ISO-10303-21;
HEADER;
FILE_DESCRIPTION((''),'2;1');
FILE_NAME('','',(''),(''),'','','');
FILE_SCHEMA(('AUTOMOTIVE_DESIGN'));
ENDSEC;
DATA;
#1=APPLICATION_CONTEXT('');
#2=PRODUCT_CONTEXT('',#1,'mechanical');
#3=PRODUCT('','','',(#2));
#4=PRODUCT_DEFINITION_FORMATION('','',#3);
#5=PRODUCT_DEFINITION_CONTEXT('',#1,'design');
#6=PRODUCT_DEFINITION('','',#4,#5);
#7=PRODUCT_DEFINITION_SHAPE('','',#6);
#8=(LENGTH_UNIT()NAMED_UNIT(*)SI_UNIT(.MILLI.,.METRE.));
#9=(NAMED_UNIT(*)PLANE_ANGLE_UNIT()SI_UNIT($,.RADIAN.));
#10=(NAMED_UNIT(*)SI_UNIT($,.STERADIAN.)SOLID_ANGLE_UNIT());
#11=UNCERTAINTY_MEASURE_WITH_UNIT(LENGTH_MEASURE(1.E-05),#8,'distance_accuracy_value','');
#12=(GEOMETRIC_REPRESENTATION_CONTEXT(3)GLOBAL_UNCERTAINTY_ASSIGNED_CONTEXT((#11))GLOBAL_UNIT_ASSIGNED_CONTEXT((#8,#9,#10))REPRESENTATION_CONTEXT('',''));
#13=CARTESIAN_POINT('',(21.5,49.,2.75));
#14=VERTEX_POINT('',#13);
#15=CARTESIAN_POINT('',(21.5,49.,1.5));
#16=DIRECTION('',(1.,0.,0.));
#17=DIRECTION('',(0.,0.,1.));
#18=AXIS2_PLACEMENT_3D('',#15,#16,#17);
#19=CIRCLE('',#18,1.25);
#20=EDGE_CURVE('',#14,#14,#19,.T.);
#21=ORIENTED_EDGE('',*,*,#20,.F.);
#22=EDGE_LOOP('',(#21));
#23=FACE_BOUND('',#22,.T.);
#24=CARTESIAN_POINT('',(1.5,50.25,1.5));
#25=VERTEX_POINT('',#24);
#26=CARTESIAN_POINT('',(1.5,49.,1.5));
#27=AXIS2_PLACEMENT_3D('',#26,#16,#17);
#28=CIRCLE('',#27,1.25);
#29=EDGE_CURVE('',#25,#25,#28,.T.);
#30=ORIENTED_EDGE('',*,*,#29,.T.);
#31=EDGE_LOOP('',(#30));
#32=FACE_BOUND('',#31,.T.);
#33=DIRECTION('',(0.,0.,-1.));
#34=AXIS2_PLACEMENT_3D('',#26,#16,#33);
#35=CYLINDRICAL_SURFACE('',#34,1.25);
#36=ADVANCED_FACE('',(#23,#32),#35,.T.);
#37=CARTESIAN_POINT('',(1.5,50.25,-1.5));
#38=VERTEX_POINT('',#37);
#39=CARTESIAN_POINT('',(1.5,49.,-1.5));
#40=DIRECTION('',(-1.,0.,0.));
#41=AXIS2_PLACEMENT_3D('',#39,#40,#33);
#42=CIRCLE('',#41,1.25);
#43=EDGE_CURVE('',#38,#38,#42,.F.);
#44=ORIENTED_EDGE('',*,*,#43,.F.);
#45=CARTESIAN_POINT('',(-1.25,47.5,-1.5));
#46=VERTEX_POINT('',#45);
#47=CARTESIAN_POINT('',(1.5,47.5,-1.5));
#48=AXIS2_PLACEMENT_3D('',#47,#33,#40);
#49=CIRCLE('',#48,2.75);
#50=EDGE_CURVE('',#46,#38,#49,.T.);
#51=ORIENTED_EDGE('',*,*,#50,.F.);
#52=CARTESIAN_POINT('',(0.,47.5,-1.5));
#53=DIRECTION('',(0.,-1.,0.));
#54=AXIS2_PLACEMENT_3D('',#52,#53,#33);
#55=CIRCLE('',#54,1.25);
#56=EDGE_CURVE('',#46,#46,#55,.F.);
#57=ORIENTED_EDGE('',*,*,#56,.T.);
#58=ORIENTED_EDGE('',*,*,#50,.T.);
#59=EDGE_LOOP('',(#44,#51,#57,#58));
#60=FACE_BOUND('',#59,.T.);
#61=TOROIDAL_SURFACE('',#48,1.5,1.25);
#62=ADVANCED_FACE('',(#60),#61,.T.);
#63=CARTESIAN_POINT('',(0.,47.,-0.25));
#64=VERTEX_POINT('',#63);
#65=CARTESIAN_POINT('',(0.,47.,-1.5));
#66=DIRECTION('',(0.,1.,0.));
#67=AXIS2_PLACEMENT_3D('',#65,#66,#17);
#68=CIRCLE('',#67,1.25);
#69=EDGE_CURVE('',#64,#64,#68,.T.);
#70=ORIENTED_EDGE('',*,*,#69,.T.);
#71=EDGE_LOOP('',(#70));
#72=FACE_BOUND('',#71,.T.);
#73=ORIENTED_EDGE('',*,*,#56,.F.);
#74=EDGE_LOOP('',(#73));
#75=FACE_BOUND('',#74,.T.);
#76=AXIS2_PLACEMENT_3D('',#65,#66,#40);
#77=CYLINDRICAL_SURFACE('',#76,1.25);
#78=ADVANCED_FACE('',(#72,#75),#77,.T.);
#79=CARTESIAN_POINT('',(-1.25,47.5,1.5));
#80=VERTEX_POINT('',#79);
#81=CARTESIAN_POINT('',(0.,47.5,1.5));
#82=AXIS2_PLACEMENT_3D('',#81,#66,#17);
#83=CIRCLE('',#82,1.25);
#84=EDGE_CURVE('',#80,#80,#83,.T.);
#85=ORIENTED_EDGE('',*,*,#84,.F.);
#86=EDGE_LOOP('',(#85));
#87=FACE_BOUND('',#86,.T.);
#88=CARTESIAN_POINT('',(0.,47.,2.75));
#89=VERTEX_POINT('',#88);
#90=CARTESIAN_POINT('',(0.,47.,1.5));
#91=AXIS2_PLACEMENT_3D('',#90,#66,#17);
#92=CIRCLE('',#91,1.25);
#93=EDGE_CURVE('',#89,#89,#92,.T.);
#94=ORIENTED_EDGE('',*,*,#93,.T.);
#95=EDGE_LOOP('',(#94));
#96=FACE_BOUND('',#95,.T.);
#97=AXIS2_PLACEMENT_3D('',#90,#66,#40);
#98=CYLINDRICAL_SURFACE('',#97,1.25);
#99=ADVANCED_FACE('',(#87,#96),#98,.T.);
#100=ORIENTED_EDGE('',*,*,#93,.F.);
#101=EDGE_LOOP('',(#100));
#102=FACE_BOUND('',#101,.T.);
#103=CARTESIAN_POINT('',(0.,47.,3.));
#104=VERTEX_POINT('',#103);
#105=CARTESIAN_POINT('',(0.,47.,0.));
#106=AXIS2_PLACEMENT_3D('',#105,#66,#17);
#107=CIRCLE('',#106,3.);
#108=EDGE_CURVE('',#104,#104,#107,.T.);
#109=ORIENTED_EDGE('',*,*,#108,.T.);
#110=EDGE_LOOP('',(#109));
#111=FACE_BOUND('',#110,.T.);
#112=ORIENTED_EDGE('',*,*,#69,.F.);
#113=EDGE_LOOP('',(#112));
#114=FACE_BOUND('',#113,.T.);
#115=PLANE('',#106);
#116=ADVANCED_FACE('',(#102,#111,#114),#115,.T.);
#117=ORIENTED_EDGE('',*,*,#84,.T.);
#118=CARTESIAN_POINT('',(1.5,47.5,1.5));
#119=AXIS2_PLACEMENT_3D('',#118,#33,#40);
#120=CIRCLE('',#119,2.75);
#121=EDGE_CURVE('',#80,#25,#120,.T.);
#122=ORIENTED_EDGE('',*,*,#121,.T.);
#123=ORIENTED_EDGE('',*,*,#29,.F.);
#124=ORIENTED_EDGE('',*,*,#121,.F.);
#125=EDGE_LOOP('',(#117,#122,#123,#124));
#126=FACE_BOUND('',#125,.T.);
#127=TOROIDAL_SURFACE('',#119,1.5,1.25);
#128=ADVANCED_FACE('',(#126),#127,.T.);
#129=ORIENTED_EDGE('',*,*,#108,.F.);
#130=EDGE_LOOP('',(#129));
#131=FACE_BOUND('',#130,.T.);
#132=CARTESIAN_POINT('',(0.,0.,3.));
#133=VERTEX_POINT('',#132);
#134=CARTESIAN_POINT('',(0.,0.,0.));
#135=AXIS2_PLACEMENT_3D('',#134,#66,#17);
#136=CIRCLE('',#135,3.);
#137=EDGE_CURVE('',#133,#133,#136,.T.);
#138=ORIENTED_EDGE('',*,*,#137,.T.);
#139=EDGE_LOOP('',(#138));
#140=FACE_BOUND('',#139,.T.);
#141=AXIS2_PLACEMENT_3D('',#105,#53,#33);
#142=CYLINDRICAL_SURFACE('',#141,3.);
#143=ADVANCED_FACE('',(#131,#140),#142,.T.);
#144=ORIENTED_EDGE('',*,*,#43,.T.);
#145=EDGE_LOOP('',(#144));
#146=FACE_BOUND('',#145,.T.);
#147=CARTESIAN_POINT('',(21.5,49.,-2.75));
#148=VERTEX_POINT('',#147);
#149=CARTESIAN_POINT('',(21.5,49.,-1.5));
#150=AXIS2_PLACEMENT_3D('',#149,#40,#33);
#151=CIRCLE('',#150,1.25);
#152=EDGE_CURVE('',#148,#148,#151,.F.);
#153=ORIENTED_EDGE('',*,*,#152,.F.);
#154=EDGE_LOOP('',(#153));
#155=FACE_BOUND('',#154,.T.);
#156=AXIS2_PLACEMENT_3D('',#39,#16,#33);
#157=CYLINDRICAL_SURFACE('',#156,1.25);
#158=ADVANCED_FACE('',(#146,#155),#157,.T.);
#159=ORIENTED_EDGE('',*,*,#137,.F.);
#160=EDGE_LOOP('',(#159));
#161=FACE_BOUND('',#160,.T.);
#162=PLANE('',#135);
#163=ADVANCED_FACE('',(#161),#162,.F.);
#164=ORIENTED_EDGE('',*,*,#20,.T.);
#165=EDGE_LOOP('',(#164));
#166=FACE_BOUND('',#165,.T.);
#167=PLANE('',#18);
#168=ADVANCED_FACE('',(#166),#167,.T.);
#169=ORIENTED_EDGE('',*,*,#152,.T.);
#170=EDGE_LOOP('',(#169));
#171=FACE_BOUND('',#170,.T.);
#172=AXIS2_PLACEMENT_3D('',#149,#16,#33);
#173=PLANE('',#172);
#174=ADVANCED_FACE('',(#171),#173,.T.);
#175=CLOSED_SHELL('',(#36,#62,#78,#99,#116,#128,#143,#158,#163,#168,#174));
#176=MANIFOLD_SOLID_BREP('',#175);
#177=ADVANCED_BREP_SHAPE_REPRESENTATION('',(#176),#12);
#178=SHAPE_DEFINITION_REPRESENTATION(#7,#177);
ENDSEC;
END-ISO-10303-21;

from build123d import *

# Parameters (mm, degrees)
SKETCH1_R           = 3
BOSS_EXTRUDE1_DEPTH = 47
SKETCH3_R           = 1.25


with BuildPart() as part:
    # Sketch1 → Boss-Extrude1 (new body)
    with BuildSketch(Plane(origin=(0, 0, 0), x_dir=(1, 0, 0), z_dir=(0, 1, 0))):
        with Locations(Location((0, 0, 0), (0, 0, 270))):
            Circle(SKETCH1_R)
    extrude(amount=BOSS_EXTRUDE1_DEPTH)

    # Sweep1: sweep along a path in Sketch2
    with BuildLine(Plane.XY.offset(1.5)) as sweep1_path:
        Line((0, 47), (0, 47.5))
        ThreePointArc((0, 47.5), (0.439339828, 48.560660172), (1.5, 49))
        Line((1.5, 49), (21.5, 49))
    # Sketch3 → Sweep1 (sweep)
    with BuildSketch(Plane(origin=(0, 47, 0), x_dir=(1, 0, 0), z_dir=(0, 1, 0))):
        with Locations((0, -1.5)):
            Circle(SKETCH3_R)
    sweep1 = sweep(path=sweep1_path.line)

    # Mirror1: Sweep1 across plane
    add(sweep1.mirror(Plane.XY))


solid = part.part
